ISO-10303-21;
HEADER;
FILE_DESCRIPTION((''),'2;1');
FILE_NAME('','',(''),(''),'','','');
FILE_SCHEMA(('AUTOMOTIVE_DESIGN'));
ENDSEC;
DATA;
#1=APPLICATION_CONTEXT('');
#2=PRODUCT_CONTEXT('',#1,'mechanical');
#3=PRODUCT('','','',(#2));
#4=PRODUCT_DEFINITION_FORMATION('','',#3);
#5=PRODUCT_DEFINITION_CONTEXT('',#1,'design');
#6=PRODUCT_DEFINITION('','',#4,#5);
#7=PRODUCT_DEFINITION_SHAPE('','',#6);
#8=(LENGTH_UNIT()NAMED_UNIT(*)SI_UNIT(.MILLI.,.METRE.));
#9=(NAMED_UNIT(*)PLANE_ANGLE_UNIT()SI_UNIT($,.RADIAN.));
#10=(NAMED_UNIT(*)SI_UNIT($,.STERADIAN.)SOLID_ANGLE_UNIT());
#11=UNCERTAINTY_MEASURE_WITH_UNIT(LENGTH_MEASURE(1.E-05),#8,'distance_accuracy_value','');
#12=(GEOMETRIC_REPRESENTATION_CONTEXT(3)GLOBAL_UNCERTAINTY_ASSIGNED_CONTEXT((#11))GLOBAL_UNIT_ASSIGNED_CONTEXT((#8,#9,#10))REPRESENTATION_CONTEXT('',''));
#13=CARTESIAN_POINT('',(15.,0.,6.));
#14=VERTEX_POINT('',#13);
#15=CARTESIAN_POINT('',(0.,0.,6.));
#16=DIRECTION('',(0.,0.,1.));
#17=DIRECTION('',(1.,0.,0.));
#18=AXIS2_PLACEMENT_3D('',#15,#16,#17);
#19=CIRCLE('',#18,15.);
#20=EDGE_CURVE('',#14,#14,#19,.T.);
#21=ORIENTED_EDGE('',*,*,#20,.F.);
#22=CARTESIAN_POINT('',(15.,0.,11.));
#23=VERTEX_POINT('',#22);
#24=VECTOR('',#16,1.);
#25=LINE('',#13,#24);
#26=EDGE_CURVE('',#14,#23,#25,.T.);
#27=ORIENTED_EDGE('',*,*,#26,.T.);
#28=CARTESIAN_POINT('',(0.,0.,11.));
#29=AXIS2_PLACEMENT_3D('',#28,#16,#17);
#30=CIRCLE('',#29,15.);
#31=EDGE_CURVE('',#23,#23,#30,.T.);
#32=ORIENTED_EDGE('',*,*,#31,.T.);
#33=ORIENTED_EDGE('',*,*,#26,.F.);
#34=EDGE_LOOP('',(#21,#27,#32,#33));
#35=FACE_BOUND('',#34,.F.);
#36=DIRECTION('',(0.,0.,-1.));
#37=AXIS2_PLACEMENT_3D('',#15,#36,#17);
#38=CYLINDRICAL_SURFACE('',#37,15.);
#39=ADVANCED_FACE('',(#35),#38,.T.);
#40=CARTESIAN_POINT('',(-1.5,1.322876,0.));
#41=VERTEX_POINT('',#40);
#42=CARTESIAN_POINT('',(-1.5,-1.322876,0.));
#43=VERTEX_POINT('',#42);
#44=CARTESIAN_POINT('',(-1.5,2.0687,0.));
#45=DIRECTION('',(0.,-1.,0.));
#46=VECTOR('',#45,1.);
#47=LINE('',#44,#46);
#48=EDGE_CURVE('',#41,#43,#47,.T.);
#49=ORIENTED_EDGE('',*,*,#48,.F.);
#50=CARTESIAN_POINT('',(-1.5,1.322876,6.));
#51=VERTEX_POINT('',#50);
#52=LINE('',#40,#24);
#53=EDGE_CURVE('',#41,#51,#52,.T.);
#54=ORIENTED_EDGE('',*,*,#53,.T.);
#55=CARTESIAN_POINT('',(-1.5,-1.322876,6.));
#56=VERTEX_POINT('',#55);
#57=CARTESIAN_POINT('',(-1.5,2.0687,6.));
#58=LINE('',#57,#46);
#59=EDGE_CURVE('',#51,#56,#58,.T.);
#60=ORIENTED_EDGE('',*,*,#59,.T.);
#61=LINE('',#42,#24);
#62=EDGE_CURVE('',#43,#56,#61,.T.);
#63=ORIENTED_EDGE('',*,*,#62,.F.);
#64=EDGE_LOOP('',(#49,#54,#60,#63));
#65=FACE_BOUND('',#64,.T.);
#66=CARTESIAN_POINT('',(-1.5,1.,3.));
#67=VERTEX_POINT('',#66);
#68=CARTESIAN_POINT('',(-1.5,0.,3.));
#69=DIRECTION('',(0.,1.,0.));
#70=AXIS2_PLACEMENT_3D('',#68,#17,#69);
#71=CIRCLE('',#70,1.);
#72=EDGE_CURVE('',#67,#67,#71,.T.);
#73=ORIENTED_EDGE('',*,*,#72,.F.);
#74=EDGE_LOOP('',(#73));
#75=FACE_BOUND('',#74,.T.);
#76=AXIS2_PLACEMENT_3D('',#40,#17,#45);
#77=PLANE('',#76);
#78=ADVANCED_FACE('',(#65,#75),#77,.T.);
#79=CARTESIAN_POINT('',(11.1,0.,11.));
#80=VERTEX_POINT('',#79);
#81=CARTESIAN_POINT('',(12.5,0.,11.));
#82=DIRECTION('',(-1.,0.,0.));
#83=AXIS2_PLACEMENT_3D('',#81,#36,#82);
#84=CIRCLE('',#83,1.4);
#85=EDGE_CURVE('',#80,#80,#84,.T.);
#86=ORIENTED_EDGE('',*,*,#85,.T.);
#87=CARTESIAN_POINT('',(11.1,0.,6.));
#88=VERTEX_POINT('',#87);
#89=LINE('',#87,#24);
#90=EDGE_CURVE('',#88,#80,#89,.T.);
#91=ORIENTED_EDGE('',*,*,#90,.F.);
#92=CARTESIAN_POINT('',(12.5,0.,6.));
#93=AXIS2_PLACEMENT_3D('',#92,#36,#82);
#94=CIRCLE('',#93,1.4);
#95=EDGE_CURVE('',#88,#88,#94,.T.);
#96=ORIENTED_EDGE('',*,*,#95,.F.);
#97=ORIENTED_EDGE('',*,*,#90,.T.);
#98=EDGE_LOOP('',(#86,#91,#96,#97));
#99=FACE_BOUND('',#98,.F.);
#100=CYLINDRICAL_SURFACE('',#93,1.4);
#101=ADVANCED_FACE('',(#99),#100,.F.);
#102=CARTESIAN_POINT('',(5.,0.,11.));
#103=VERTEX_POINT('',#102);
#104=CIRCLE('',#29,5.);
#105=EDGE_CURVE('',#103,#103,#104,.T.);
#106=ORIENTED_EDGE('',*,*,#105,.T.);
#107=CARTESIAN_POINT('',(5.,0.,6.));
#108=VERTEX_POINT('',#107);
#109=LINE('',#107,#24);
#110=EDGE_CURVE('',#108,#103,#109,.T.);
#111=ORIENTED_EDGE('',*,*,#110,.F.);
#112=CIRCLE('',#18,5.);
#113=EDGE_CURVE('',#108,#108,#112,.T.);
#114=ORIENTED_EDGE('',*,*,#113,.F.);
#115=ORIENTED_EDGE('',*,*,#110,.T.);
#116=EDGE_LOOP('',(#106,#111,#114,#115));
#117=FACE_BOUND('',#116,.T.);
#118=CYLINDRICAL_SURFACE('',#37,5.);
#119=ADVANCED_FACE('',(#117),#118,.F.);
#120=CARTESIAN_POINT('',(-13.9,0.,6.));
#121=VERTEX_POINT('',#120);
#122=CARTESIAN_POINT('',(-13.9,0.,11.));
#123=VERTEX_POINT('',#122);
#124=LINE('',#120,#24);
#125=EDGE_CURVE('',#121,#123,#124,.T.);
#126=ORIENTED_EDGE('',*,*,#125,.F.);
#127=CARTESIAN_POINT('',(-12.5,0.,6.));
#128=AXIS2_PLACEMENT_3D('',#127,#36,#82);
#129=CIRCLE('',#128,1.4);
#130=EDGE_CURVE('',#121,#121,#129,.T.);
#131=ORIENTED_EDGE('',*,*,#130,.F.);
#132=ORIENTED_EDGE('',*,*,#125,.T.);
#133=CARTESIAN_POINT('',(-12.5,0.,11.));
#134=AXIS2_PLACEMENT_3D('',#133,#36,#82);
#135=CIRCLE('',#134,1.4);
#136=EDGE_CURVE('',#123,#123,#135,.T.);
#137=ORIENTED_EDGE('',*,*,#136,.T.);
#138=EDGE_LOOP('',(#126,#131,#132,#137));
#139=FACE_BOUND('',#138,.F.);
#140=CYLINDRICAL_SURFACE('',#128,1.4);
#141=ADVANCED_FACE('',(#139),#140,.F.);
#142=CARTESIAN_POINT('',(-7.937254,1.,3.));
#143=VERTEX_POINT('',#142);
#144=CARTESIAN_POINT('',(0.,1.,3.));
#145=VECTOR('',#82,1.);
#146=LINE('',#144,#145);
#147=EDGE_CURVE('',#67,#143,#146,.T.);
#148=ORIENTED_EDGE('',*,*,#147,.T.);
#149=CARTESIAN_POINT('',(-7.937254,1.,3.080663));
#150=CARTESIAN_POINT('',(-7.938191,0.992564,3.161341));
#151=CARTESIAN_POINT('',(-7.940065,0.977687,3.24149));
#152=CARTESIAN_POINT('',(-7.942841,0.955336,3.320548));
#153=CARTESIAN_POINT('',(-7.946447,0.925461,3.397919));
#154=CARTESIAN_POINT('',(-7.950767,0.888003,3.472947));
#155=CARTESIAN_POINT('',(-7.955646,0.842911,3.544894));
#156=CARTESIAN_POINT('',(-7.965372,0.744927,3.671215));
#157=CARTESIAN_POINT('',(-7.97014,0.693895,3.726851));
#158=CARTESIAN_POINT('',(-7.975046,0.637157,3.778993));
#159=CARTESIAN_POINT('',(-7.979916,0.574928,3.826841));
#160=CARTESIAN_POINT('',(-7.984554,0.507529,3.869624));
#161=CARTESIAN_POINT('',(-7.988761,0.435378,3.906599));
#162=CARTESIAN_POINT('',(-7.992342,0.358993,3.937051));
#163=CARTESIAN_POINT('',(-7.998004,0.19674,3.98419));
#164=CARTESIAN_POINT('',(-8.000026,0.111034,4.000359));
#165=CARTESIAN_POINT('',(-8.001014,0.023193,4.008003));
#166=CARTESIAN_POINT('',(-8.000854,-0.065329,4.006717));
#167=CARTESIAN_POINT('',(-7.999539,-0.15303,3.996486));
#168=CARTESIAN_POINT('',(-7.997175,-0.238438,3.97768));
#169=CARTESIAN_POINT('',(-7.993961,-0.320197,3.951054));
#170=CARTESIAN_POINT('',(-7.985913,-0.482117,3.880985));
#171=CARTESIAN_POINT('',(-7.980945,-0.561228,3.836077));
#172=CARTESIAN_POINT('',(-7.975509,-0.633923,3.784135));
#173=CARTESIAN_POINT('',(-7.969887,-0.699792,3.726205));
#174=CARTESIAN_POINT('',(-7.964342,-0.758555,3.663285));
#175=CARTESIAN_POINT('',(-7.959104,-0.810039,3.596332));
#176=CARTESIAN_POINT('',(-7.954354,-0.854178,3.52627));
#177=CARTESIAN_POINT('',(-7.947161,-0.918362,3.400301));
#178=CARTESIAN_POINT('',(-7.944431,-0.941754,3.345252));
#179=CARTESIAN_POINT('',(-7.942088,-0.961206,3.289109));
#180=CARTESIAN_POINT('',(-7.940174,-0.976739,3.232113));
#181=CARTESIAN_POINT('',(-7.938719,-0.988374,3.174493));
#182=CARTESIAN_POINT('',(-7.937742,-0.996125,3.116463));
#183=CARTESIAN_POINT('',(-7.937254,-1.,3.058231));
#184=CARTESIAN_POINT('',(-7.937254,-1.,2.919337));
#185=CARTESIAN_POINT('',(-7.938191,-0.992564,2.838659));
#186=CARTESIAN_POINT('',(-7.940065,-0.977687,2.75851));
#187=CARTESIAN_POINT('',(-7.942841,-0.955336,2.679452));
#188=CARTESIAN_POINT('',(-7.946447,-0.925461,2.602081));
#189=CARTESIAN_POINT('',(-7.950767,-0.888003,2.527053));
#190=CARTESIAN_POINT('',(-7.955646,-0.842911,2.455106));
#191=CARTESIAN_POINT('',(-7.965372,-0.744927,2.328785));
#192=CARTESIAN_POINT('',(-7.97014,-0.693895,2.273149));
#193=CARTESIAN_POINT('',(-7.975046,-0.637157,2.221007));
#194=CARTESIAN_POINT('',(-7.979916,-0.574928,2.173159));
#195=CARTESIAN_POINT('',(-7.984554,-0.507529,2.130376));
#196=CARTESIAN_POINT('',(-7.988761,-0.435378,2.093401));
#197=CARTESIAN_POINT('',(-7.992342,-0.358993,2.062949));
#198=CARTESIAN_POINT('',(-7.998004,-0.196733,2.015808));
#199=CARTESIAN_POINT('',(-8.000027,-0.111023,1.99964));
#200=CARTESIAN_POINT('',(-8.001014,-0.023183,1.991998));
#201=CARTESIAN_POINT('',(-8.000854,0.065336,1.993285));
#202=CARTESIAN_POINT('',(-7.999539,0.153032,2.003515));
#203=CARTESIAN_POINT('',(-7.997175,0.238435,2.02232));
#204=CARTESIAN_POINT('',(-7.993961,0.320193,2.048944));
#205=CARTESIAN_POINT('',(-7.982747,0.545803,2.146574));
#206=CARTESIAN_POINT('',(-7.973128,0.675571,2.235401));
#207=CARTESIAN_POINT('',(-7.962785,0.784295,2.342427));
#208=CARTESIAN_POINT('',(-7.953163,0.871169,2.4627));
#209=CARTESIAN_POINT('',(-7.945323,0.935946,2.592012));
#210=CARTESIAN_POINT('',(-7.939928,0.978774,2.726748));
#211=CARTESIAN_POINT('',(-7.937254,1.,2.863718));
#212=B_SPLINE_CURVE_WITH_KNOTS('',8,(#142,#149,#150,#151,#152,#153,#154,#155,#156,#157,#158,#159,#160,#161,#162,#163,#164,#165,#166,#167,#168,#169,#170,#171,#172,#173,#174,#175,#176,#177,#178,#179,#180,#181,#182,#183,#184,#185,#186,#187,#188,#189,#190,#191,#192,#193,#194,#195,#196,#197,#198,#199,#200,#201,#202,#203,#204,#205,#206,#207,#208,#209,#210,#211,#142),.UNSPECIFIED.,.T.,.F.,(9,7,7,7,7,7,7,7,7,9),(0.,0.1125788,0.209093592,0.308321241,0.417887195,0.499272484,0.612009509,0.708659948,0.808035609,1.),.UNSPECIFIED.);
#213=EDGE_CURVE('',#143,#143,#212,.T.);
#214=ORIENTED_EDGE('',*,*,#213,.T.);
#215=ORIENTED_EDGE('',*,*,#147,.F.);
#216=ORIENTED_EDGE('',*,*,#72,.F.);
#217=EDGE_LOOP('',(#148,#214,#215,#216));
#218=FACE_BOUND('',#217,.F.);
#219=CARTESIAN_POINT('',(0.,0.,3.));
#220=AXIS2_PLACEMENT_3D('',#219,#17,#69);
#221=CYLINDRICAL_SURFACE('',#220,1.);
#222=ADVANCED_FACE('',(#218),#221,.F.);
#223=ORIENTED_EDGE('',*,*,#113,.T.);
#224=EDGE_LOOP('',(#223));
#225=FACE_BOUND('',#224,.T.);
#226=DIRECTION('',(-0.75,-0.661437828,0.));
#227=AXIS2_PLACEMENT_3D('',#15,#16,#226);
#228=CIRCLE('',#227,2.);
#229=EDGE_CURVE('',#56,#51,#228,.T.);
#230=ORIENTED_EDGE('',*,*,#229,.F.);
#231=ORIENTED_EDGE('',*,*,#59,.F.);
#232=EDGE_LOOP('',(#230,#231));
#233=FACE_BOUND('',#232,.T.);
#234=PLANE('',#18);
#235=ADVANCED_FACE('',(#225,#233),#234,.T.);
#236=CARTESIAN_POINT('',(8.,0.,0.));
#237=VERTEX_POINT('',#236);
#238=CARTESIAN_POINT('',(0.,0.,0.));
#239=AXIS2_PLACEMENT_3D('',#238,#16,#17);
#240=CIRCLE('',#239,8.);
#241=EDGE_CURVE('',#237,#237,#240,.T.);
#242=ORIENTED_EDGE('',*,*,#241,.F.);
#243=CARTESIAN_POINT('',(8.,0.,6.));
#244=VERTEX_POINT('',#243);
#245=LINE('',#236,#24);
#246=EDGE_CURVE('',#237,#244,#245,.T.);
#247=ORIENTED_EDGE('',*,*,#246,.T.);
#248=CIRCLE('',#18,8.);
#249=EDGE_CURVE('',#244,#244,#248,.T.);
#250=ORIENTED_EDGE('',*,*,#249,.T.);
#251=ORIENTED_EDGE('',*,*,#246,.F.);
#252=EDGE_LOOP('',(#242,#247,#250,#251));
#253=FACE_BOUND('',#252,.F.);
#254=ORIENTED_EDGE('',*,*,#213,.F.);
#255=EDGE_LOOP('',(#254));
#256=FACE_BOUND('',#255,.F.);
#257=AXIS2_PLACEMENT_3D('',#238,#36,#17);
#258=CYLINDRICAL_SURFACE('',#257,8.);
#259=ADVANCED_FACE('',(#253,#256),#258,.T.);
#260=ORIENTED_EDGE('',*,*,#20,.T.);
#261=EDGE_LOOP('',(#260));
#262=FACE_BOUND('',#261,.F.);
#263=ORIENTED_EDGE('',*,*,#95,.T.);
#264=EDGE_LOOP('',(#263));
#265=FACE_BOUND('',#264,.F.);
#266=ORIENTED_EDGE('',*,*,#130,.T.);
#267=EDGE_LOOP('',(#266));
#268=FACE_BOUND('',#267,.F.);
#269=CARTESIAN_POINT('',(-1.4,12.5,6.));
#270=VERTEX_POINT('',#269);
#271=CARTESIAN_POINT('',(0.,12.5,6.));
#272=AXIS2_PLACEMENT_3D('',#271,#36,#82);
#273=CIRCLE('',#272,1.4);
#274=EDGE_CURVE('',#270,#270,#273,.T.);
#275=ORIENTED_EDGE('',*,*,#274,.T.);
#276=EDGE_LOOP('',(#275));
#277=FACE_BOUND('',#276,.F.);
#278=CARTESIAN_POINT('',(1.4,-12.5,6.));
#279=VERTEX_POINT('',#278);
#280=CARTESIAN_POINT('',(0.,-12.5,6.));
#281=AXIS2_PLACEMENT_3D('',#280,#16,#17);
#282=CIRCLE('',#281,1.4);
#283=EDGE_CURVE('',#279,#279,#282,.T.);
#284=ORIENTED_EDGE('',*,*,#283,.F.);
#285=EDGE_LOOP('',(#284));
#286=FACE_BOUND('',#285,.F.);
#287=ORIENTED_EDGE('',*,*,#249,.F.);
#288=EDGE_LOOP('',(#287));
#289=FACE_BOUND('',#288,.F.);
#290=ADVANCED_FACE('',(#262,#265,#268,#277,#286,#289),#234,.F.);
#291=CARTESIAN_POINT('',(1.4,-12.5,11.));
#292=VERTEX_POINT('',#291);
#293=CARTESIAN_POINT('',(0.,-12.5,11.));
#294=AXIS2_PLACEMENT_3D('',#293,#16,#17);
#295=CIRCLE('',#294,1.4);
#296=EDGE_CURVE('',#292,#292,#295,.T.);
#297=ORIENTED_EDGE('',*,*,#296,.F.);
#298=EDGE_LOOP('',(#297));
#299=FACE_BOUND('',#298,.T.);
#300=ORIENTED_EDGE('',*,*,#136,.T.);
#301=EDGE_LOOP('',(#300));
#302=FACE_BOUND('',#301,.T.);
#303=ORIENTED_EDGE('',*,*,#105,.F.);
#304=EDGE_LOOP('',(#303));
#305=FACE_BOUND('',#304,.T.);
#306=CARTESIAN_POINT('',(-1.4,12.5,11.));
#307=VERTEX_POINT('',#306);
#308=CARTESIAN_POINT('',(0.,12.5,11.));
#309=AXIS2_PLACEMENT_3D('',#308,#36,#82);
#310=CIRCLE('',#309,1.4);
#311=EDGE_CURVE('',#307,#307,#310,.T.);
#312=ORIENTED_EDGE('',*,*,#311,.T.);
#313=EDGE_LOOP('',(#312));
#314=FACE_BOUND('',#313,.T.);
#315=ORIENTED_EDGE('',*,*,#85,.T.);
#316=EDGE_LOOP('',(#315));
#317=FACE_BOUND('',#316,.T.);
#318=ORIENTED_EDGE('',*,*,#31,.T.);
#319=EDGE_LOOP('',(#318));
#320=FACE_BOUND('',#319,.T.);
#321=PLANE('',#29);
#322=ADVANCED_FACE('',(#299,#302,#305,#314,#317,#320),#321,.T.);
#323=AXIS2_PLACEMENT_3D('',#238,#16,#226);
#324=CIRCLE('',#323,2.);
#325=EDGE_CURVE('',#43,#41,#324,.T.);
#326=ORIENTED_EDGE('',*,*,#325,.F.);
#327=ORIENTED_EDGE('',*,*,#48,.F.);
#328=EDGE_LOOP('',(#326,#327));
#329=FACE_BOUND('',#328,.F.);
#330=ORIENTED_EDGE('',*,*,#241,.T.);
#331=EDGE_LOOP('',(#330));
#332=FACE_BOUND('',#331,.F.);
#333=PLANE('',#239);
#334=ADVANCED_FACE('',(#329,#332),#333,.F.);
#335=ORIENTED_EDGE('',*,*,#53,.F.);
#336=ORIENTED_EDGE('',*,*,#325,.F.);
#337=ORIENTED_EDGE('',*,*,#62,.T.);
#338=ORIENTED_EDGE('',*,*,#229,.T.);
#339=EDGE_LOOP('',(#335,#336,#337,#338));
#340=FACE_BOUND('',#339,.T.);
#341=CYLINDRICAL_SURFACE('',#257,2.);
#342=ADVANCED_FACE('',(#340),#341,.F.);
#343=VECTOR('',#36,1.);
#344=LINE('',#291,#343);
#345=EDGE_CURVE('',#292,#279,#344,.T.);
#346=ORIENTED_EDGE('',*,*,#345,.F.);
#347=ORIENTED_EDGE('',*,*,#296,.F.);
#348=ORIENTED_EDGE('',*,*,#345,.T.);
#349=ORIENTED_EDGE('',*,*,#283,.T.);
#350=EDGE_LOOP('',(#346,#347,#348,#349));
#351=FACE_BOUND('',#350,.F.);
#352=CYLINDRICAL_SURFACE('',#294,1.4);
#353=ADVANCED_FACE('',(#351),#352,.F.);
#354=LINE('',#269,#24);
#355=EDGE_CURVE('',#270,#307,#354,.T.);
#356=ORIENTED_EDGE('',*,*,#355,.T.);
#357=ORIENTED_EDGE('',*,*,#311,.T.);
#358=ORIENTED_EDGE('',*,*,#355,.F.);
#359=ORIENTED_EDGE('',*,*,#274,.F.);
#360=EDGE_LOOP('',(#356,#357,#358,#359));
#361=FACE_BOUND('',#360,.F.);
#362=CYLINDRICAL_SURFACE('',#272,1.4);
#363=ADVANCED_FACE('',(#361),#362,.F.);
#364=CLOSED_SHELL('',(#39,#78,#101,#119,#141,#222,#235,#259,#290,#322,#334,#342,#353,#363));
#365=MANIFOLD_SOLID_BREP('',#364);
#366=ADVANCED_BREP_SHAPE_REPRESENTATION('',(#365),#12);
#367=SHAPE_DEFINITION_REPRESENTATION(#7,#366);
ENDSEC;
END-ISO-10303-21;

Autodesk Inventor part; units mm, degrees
ref_plane "YZ Plane" through (0, 0, 0) normal (1, 0, 0) x (0, 1, 0)
ref_plane "XZ Plane" through (0, 0, 0) normal (0, 1, 0) x (-1, 0, 0)
ref_plane "XY Plane" through (0, 0, 0) normal (0, 0, 1) x (1, 0, 0)
sketch "Sketch1" plane through (0, 0, 0) normal (0, 0, 1) x (1, 0, 0)
  circle A0 centre (0, 0) radius 2
  circle A1 centre (0, 0) radius 8
  dimension "d0" = 4
  dimension "d1" = 16
extrude "Extrusion1" add sketch "Sketch1" along normal blind 6
sketch "Sketch2" plane through (0, 0, 6) normal (0, 0, 1) x (1, 0, 0)
  circle A0 centre (0, 0) radius 5
  circle A1 centre (0, 0) radius 15
  dimension "d4" = 10
  dimension "d5" = 30
extrude "Extrusion2" add sketch "Sketch2" along normal blind 5
sketch "Sketch5" plane through (0, 0, 6) normal (0, 0, -1) x (-1, 0, 0)
  circle A0 centre (0, 12.5) radius 1.4
  circle A1 centre (-12.5, 0) radius 1.4
  circle A2 centre (0, -12.5) radius 1.4
  circle A3 centre (12.5, 0) radius 1.4
  point P0 (0, 0)
  dimension "d24" = 12.5
  dimension "d25" = 2.8
  dimension "d28" = 360
extrude "Extrusion5" cut sketch "Sketch5" against normal blind 10 contours A0 | A1 | A3
sketch "Sketch6" plane through (0, 0, 11) normal (0, 0, 1) x (1, 0, 0)
  circle A0 centre (0, -12.5) radius 1.4
  point P0 (0, 0)
  dimension "d42" = 2.8
  dimension "d43" = 12.5
extrude "Extrusion6" cut sketch "Sketch6" against normal blind 10
sketch "Sketch9" plane through (0, 0, 0) normal (0, 0, -1) x (-1, 0, 0)
  line L0 (1.5, 2.0687) -> (1.5, -2.0687)
  circle A0 centre (0, 0) radius 2
  point P0 (1.5, 1.3229)
  point P1 (1.5, -1.3229)
  dimension "d46" = 4
  dimension "d47" = 1.5
extrude "Extrusion7" add sketch "Sketch9" against normal blind 6 contours A0 L0 picked at (1.7382, -0.2911)
sketch "Sketch11" plane through (0, 0, 0) normal (1, 0, 0) x (0, 1, 0)
  circle A0 centre (0, 3) radius 1
  line L0 (8, 0) -> (-8, 0) projected
  point P0 (0, 0)
  dimension "d50" = 2
  dimension "d51" = 3
extrude "Extrusion8" cut sketch "Sketch11" against normal blind 10
sketch "Sketch12" plane through (0, 0, 6) normal (0, 0, -1) x (-1, 0, 0)
  point P0 (0, 0)
sketch "Sketch13" plane through (0, 0, 6) normal (0, 0, -1) x (-1, 0, 0)
  point P0 (0, 0)
properties part number "motor dişlisi"
